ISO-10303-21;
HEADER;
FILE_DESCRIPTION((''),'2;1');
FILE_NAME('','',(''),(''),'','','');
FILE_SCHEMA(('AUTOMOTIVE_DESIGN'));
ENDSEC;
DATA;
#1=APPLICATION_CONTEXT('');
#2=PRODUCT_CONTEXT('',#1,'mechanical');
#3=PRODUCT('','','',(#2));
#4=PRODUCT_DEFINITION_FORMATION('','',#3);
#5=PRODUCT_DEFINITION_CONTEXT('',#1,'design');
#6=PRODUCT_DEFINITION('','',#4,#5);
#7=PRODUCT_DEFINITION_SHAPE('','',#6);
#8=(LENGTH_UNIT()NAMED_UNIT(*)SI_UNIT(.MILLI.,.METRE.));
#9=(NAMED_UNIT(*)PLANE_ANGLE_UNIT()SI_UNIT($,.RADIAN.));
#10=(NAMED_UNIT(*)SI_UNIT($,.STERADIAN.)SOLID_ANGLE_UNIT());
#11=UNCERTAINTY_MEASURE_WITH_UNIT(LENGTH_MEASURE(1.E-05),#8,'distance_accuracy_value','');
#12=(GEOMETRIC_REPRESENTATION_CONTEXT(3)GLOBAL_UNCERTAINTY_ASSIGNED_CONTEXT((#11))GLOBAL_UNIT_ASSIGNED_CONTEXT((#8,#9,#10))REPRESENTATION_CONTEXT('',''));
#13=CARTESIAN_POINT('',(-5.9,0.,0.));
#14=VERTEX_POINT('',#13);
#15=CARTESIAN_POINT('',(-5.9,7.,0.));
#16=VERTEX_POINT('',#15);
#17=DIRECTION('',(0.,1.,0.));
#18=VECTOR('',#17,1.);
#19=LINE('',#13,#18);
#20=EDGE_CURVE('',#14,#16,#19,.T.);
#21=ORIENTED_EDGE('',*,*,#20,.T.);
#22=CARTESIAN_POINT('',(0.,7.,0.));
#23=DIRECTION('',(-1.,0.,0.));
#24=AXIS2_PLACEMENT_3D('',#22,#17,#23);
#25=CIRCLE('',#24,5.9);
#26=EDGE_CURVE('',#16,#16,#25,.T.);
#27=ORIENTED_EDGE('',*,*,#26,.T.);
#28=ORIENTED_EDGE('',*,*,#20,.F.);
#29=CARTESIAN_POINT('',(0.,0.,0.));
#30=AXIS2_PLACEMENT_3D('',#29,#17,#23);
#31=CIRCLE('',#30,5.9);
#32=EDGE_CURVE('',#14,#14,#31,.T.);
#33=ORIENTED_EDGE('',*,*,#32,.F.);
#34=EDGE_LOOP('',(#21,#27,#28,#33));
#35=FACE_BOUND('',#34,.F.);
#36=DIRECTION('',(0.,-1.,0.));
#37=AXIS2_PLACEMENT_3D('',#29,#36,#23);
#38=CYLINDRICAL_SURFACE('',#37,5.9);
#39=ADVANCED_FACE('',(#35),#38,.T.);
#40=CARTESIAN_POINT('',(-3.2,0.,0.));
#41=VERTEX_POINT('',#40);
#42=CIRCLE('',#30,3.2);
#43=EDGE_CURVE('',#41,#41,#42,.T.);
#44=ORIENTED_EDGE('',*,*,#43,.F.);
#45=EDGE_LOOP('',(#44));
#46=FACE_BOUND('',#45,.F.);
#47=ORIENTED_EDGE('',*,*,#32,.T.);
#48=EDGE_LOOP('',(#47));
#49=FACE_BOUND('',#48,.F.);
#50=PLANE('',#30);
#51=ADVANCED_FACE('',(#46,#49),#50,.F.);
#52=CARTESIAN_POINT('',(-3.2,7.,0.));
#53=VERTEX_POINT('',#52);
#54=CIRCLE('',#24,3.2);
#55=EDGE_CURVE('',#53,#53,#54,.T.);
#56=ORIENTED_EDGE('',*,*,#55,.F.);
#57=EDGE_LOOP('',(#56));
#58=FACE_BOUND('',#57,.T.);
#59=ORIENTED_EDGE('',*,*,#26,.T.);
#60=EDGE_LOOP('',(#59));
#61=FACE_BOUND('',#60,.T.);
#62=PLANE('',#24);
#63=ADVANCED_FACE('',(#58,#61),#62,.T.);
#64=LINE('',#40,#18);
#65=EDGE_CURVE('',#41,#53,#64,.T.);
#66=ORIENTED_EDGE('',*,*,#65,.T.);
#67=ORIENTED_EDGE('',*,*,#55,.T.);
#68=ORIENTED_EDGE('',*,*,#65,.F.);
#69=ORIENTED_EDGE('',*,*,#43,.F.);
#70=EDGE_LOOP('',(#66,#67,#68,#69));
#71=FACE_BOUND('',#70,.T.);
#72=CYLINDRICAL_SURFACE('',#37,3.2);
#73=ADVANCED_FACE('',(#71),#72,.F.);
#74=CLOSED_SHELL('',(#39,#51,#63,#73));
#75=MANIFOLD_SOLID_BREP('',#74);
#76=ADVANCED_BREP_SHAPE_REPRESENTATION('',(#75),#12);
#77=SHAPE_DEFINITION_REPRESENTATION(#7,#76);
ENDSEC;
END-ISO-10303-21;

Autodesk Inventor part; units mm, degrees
ref_plane "YZ Plane" through (0, 0, 0) normal (1, 0, 0) x (0, 1, 0)
ref_plane "XZ Plane" through (0, 0, 0) normal (0, 1, 0) x (-1, 0, 0)
ref_plane "XY Plane" through (0, 0, 0) normal (0, 0, 1) x (1, 0, 0)
sketch "スケッチ1" plane through (0, 0, 0) normal (0, 1, 0) x (-1, 0, 0)
  circle A0 centre (0, 0) radius 3.2
  circle A1 centre (0, 0) radius 5.9
  dimension "d0" = 6.4
  dimension "d1" = 11.8
extrude "押し出し1" add sketch "スケッチ1" along normal blind 7
properties part number "shoulder1_strain_sensor_spacer"
